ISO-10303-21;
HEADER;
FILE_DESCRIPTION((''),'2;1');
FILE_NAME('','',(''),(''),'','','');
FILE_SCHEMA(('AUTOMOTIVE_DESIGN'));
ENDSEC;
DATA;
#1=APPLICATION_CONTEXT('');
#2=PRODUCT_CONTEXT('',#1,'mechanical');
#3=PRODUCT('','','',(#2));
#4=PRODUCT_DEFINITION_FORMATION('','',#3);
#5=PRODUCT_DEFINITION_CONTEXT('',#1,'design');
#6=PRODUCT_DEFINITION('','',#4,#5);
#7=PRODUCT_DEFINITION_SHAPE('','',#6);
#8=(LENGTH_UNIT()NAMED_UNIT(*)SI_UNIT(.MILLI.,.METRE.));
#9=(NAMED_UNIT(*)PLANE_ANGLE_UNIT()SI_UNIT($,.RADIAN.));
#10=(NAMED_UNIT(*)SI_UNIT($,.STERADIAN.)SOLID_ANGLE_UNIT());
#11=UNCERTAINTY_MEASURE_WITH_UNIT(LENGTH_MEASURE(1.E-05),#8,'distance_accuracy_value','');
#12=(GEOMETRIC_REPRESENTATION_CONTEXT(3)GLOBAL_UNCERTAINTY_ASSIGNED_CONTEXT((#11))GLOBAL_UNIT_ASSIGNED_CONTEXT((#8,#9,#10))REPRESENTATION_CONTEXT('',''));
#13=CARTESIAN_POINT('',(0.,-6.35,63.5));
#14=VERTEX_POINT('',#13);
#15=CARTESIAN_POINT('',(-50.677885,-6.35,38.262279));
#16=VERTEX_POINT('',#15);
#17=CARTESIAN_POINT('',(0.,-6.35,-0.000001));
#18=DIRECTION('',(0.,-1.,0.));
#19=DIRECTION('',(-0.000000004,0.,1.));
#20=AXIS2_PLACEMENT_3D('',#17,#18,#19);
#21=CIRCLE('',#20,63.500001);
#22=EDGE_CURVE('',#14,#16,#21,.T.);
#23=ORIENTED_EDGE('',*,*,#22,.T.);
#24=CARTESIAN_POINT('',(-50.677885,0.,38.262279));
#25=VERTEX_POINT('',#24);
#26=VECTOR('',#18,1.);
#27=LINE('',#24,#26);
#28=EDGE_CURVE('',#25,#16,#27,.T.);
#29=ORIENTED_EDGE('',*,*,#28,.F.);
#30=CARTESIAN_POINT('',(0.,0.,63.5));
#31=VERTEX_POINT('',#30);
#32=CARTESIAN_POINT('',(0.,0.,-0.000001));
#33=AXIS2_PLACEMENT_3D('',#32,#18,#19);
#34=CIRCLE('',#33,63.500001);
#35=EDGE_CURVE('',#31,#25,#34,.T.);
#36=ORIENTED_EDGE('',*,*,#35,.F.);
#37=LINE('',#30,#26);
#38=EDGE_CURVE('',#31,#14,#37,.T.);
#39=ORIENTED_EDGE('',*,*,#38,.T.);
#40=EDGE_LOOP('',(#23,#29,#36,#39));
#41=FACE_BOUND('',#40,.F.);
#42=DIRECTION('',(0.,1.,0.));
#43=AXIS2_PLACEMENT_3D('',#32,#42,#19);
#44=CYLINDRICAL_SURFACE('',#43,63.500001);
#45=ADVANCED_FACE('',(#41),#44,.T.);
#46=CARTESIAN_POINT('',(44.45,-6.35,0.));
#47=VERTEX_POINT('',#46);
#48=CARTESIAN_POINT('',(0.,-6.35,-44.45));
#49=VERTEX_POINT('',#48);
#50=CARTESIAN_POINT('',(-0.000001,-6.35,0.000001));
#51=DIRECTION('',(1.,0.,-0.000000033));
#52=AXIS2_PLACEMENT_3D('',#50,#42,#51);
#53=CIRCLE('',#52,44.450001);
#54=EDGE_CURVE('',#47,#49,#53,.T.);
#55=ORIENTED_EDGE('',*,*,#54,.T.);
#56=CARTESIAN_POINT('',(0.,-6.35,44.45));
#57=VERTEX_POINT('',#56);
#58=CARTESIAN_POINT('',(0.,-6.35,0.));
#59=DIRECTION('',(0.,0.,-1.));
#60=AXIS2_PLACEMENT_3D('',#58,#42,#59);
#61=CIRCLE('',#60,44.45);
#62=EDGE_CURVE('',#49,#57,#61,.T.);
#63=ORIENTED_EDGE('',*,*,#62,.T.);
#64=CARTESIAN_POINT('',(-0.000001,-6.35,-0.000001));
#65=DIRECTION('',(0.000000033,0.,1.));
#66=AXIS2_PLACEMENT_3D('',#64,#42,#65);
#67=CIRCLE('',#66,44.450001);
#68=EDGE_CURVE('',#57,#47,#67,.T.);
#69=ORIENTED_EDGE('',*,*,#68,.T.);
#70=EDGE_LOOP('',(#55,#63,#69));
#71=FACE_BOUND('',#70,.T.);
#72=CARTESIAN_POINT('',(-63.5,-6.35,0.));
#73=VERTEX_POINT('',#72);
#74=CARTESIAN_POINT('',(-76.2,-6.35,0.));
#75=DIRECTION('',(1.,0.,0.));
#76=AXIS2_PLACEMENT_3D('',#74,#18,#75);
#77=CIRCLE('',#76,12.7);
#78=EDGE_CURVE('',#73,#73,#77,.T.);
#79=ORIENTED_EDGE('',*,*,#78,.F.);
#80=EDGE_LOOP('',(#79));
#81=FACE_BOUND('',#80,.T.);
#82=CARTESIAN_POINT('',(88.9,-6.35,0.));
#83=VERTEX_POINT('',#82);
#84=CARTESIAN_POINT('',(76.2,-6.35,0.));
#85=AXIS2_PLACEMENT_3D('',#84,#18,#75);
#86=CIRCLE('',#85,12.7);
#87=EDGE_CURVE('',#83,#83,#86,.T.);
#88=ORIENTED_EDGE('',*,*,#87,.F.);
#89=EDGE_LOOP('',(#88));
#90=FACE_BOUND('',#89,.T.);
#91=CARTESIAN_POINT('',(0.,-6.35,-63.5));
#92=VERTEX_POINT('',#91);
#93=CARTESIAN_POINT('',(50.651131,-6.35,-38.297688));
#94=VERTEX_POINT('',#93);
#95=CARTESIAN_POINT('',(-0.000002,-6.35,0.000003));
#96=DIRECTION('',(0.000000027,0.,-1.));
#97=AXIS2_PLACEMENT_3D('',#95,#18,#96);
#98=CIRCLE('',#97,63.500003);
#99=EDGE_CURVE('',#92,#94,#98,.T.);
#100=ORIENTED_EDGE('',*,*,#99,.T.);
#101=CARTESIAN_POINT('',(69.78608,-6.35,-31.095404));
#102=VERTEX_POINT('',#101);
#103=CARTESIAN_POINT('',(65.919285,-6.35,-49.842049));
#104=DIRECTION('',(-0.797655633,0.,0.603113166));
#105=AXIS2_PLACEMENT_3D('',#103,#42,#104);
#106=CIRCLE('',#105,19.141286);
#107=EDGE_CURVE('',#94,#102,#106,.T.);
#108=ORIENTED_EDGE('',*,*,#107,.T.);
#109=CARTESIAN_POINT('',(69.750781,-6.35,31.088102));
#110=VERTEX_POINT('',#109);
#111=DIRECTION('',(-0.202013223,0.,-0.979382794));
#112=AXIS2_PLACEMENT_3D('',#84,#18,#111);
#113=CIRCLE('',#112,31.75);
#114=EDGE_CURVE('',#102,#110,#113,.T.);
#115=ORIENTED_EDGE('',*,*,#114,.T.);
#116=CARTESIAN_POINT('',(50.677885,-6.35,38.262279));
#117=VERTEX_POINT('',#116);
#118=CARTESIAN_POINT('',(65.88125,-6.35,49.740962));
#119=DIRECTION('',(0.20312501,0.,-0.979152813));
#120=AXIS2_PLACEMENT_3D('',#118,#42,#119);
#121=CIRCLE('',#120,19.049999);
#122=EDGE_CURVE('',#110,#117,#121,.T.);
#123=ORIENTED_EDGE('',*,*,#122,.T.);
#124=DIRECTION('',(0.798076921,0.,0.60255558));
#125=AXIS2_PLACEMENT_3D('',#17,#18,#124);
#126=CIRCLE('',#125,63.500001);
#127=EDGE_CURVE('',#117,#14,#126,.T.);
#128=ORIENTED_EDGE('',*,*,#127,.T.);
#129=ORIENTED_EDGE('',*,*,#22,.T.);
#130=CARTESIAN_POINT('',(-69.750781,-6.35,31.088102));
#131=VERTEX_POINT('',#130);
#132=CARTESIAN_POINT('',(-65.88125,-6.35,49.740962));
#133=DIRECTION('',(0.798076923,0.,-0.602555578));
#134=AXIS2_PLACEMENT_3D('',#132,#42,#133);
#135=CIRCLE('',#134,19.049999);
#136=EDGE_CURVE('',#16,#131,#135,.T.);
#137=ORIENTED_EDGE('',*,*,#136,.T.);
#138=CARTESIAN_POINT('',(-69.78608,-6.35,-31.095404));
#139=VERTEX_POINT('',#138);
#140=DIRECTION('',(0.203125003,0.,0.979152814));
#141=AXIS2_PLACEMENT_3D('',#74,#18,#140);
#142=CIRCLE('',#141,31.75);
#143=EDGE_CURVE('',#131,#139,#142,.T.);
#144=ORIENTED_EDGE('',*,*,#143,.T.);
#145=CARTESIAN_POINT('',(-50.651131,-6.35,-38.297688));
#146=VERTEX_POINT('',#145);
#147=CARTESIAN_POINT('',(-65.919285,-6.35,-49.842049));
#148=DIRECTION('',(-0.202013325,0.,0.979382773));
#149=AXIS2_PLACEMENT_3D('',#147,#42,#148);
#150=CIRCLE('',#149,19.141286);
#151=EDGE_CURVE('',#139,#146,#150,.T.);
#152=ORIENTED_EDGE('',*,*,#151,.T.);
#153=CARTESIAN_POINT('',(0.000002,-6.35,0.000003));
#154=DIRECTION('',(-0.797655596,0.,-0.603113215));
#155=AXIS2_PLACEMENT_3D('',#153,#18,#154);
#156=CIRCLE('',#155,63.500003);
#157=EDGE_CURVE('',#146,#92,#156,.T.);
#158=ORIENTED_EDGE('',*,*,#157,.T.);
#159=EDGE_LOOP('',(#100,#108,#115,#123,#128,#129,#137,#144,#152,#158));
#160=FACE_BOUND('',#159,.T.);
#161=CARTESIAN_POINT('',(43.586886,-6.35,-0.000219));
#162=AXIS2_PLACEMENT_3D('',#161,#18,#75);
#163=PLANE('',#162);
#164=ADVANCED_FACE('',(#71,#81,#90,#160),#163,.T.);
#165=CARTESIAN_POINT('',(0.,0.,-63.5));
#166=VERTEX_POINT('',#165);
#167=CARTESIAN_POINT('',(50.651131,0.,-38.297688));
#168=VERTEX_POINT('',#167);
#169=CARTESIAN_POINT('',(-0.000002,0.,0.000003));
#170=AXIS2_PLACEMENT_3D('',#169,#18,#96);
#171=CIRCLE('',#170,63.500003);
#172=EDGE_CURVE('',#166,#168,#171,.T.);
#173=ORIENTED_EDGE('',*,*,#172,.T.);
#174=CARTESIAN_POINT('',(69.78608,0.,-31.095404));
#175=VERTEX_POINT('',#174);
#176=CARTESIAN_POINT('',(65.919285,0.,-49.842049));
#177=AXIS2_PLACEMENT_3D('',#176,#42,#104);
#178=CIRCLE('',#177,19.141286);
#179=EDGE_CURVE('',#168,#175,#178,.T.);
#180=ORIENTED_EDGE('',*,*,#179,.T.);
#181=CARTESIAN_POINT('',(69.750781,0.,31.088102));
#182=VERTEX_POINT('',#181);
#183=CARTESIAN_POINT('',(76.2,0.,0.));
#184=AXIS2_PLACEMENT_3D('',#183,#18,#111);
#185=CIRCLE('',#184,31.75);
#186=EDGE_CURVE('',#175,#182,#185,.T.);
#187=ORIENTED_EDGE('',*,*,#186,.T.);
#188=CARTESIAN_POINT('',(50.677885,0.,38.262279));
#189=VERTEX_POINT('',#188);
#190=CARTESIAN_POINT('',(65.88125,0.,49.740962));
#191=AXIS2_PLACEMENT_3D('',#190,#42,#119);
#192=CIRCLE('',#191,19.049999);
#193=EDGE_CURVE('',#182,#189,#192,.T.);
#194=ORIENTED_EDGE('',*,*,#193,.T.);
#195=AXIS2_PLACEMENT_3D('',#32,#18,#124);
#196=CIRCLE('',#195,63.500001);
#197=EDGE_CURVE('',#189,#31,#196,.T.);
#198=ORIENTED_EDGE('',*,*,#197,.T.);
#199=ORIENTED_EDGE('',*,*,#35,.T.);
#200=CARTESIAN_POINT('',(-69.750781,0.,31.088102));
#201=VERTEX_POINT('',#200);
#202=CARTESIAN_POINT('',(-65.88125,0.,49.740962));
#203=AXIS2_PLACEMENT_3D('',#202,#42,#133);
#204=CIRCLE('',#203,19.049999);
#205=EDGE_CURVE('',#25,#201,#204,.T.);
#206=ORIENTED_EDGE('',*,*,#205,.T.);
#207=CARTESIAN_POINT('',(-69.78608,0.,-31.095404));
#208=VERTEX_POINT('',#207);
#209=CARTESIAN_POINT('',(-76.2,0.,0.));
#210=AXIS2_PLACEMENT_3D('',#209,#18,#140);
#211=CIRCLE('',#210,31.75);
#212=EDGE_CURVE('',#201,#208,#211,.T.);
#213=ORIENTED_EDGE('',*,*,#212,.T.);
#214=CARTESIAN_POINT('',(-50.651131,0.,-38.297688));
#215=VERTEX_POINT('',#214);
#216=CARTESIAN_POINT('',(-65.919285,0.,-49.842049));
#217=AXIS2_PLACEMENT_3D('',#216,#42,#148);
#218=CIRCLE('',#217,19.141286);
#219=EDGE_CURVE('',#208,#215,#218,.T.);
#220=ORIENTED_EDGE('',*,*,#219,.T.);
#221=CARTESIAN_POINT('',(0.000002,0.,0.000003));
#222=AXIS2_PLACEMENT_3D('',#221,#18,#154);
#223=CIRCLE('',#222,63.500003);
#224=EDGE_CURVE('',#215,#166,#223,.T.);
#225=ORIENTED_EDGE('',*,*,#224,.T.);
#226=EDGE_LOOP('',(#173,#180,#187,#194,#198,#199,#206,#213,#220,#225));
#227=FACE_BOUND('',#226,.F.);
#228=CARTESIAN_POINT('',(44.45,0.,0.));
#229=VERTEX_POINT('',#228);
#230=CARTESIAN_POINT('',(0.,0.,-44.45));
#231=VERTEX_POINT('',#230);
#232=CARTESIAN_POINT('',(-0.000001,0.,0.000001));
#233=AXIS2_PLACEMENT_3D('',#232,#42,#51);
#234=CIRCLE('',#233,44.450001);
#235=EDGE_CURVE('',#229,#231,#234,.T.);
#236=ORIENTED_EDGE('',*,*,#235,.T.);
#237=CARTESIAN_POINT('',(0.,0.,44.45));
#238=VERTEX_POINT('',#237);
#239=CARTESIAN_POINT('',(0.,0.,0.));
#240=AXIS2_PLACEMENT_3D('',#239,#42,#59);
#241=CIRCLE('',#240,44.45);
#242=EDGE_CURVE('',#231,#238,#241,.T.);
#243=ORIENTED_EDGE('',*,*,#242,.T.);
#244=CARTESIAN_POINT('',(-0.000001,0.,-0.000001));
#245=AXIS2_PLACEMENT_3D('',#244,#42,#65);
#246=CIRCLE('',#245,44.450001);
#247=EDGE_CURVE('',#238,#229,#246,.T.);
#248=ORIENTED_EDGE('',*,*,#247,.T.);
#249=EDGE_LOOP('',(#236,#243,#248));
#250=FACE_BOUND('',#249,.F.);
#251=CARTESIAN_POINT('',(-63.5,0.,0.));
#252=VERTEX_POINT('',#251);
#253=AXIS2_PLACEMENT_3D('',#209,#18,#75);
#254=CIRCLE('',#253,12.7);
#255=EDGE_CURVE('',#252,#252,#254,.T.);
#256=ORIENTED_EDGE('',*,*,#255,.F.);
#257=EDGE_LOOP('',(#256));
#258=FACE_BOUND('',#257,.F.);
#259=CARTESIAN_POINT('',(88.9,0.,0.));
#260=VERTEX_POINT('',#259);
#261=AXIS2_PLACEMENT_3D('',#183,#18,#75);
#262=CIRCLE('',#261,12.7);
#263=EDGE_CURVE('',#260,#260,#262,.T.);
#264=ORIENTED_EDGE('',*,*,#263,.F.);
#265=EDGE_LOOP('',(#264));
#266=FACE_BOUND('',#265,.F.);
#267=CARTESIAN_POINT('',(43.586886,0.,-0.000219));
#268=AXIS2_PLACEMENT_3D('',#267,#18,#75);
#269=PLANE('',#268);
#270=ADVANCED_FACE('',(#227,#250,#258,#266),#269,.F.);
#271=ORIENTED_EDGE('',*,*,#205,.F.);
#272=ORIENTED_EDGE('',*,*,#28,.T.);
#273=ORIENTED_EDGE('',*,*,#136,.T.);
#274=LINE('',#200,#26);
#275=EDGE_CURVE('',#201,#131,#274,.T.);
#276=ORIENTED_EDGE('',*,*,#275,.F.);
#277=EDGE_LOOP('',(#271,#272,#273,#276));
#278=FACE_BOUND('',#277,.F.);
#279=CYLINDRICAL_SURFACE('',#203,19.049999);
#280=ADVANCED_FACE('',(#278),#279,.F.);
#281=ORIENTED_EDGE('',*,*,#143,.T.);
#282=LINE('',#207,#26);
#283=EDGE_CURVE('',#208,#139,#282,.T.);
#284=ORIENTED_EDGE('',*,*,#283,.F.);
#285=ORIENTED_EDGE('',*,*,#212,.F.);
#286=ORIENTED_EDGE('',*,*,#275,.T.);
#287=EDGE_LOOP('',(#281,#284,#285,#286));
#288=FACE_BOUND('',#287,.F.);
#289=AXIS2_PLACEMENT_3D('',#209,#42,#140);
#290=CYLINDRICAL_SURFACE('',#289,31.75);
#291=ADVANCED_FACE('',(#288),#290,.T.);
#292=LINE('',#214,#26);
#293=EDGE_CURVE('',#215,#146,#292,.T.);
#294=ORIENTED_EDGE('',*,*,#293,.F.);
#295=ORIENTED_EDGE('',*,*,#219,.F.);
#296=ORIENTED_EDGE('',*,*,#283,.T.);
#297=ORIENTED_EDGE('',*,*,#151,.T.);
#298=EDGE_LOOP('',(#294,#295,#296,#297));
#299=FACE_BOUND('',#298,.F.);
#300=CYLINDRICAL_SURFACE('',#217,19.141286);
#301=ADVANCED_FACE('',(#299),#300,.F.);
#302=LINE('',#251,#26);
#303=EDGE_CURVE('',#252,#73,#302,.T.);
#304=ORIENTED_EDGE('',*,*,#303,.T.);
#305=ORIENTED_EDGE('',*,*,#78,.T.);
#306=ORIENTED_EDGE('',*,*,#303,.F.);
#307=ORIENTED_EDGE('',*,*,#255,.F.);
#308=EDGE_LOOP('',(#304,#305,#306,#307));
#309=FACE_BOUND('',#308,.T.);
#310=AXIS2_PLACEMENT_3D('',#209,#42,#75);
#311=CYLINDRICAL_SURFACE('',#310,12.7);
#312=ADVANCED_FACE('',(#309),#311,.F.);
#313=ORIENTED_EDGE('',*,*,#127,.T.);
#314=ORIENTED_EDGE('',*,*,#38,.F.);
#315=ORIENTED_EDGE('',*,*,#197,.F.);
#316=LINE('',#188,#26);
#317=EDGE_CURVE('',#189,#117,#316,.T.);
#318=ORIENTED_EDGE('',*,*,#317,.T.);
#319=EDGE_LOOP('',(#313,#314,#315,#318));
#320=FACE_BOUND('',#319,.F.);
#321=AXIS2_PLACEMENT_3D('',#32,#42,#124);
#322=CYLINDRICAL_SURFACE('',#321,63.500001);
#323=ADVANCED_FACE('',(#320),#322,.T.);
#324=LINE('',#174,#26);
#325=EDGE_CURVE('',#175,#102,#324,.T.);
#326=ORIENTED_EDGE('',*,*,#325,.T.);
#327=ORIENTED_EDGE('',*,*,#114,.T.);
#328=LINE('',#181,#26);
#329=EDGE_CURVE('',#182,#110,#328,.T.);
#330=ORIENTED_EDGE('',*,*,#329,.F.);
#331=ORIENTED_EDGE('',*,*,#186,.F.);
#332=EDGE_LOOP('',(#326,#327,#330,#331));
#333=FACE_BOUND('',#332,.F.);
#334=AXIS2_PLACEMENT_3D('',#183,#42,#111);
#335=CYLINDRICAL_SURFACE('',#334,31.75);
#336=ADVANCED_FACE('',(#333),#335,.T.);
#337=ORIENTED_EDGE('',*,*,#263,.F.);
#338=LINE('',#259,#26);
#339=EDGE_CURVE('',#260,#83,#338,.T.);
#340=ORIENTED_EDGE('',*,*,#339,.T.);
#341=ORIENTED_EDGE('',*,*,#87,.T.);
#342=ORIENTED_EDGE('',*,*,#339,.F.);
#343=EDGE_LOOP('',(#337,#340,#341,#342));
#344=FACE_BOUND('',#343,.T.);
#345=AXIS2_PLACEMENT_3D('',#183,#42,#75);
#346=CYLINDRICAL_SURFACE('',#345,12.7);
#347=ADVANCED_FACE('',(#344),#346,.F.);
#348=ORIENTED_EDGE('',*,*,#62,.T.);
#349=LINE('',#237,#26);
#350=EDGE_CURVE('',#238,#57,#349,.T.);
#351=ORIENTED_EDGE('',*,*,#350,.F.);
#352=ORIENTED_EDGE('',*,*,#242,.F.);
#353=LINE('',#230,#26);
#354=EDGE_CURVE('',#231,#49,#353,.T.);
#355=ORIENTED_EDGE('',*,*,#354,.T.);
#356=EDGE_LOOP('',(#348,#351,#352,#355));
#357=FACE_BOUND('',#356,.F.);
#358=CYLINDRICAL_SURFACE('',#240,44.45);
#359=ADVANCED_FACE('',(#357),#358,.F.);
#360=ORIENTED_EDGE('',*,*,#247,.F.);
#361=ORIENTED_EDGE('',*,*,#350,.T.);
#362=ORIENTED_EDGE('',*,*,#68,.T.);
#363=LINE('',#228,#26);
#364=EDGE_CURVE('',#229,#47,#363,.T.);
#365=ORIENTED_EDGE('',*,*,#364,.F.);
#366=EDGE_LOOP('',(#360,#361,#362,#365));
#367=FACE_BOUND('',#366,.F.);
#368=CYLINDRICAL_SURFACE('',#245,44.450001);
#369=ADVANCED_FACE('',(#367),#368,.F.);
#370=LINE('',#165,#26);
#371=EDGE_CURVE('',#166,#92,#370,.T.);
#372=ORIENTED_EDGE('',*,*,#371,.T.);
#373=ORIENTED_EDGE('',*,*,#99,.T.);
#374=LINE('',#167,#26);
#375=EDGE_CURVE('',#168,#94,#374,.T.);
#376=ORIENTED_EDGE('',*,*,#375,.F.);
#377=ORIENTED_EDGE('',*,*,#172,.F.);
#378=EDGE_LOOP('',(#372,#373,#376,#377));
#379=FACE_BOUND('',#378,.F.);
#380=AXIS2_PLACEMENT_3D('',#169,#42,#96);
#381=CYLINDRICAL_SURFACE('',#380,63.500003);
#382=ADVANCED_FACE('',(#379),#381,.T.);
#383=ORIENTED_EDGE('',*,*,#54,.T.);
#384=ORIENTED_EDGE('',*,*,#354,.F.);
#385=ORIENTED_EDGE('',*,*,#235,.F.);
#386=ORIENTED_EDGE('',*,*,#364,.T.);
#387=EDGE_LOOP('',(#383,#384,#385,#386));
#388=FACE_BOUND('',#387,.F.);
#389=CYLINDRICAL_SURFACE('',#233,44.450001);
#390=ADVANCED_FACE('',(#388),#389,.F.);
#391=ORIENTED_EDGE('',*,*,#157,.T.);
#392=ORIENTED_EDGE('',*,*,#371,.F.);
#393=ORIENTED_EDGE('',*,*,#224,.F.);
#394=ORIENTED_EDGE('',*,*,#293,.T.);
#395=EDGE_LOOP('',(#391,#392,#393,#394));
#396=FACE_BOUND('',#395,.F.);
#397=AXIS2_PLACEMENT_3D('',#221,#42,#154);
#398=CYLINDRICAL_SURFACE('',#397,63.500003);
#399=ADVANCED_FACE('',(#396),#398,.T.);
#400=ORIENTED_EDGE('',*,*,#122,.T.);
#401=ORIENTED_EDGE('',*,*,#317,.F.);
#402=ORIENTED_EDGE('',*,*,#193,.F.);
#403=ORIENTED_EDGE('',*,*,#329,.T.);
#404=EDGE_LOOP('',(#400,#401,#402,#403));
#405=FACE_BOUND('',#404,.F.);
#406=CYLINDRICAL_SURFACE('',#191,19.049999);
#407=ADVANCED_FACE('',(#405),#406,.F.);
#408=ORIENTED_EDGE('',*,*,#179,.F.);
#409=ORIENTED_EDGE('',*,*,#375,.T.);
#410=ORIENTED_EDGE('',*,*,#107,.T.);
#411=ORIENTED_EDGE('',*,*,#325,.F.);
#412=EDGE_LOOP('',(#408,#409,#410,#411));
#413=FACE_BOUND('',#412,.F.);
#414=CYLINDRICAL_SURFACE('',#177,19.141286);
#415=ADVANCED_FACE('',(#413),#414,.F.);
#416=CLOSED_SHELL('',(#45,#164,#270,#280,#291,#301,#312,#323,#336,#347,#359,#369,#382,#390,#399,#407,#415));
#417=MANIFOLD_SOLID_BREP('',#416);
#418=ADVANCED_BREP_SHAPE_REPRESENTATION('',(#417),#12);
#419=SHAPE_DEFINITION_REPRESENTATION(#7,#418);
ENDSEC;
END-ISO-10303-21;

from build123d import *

# Parameters (mm, degrees)
F0_R     = 12.7
F1_DEPTH = 6.35


with BuildPart() as f1:
    # F0 (on Front) → F1 (new body)
    with BuildSketch(Plane.XZ):
        with BuildLine():
            ThreePointArc((0, 44.45), (31.430896, 31.430896), (44.45, 0))
            ThreePointArc((44.45, 0), (31.430896, -31.430896), (0, -44.45))
            Line((0, -44.45), (0, -63.5))
            ThreePointArc((0, -63.5), (28.287336, -56.851355), (50.651131, -38.297688))
            ThreePointArc((50.651131, -38.297688), (59.176439, -31.92773), (69.78608, -31.095404))
            ThreePointArc((69.78608, -31.095404), (107.949995, 0.018023), (69.750781, 31.088102))
            ThreePointArc((69.750781, 31.088102), (59.174451, 31.910614), (50.677885, 38.262279))
            ThreePointArc((50.677885, 38.262279), (28.307201, 56.841467), (0, 63.5))
            Line((0, 63.5), (0, 44.45))
        make_face()
        with Locations((76.2, 0)):
            Circle(F0_R, mode=Mode.SUBTRACT)
        with BuildLine():
            ThreePointArc((0, -44.45), (-44.45, 0), (0, 44.45))
            Line((0, 44.45), (0, 63.5))
            ThreePointArc((0, 63.5), (-28.307201, 56.841467), (-50.677885, 38.262279))
            ThreePointArc((-50.677885, 38.262279), (-59.174451, 31.910614), (-69.750781, 31.088102))
            ThreePointArc((-69.750781, 31.088102), (-107.949995, 0.018023), (-69.78608, -31.095404))
            ThreePointArc((-69.78608, -31.095404), (-59.176439, -31.92773), (-50.651131, -38.297688))
            ThreePointArc((-50.651131, -38.297688), (-28.287336, -56.851355), (0, -63.5))
            Line((0, -63.5), (0, -44.45))
        make_face()
        with Locations((-76.2, 0)):
            Circle(F0_R, mode=Mode.SUBTRACT)
    extrude(amount=F1_DEPTH)


solid = f1.part
